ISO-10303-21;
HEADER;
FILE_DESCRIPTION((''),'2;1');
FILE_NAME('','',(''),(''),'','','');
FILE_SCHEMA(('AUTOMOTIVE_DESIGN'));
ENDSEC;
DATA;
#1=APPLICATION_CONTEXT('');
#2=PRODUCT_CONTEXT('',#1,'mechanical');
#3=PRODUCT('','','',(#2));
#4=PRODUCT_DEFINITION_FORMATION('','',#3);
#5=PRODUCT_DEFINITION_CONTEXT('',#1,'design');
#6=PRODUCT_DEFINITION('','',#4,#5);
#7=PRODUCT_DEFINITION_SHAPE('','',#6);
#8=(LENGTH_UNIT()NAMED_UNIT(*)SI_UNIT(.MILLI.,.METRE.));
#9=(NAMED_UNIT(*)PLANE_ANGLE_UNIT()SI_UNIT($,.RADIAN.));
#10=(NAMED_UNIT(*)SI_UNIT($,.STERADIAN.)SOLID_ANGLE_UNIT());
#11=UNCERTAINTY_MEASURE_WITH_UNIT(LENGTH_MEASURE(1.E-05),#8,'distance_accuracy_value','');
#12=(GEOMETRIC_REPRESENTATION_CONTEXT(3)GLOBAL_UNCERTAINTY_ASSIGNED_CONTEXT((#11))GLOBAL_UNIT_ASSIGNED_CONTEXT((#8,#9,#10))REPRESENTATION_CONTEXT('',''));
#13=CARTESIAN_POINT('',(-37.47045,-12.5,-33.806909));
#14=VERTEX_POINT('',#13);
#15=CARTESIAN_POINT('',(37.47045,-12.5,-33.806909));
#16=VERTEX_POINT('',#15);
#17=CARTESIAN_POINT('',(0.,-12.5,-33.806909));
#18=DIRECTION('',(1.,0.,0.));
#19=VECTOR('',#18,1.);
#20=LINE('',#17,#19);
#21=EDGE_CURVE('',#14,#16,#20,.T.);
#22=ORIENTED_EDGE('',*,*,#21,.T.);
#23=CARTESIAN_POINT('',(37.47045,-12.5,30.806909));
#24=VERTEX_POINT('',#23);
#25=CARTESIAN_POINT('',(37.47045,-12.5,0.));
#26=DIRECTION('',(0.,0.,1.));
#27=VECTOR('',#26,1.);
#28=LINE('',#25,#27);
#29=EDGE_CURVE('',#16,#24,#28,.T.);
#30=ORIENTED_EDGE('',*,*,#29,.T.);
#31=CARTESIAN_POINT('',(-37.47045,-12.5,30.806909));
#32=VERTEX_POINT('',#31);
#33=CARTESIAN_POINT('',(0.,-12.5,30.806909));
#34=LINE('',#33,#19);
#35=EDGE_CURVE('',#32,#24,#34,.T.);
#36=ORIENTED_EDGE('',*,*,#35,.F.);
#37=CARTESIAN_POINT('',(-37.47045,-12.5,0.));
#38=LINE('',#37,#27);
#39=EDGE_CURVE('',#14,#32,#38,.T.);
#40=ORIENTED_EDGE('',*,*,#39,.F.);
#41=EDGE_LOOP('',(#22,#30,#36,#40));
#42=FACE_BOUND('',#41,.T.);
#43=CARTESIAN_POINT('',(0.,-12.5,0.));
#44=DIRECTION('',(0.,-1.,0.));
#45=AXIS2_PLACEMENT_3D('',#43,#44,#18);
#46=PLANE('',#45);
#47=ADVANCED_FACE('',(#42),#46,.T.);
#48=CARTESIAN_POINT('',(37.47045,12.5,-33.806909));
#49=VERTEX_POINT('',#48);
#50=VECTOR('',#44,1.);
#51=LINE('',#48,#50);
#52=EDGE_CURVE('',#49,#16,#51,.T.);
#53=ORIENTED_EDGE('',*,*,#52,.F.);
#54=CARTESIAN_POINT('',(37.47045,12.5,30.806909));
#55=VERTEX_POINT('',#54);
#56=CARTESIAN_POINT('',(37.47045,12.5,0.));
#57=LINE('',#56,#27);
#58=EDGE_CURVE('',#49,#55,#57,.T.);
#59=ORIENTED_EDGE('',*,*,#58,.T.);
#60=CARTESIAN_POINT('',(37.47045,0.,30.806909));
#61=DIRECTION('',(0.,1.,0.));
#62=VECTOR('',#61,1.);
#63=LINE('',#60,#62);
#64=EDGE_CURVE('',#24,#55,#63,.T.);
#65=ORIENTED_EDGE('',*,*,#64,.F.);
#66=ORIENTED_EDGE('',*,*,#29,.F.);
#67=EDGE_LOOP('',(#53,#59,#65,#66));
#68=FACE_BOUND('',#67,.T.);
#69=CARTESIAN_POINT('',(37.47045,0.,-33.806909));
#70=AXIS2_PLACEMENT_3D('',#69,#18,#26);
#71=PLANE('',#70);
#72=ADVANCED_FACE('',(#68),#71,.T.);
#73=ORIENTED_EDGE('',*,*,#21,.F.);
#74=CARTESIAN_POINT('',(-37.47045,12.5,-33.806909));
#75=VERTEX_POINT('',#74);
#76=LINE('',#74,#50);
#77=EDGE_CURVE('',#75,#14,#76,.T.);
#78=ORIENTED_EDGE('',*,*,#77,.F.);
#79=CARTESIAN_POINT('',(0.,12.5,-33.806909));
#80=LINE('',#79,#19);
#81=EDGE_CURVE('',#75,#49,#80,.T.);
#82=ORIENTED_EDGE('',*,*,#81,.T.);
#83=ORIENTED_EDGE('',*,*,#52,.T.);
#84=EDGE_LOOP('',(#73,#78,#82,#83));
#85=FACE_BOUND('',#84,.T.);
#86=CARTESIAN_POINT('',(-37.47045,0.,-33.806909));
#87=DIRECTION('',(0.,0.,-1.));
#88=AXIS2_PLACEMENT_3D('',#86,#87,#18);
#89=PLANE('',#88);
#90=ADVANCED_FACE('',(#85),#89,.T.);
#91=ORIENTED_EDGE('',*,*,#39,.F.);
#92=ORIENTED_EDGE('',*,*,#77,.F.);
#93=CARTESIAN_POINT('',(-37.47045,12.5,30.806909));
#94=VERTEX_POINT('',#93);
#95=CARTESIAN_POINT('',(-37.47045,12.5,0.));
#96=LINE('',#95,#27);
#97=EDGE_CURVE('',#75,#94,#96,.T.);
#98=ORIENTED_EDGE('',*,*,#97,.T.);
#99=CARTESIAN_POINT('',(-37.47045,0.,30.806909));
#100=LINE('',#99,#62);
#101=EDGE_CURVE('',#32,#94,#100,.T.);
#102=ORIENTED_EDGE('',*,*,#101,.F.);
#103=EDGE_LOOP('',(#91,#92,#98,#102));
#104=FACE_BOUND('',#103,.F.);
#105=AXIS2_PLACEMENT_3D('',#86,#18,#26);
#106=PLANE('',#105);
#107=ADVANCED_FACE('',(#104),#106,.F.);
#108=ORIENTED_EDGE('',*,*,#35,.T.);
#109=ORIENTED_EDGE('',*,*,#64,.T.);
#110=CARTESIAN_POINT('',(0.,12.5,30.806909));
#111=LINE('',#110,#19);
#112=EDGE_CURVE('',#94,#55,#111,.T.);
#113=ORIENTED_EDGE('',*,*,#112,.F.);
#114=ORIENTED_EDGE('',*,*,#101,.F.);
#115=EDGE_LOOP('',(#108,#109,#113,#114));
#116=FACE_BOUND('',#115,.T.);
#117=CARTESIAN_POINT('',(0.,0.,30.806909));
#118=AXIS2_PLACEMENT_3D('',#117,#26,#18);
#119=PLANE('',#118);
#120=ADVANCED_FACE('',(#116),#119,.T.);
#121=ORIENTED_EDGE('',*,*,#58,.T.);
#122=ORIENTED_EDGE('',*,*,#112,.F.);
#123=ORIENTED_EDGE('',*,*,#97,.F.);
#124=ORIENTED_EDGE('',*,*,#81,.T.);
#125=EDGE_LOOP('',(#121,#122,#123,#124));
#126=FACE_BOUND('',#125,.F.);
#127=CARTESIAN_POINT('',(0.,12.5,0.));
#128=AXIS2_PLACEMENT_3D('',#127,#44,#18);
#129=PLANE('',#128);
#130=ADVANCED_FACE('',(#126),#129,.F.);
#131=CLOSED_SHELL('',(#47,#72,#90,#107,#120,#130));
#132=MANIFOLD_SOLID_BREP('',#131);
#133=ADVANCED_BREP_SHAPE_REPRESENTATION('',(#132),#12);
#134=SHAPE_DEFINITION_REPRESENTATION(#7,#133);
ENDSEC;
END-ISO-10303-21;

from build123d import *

# Parameters (mm, degrees)
F0_W      = 74.9409
F0_H      = 67.613818
F1_DEPTH  = 12.5
F1_FACE_W = 74.9409
F1_FACE_H = 25
F2_DEPTH  = 3


with BuildPart() as f1:
    # F0 (on Front) → F1 (new body, symmetric)
    with BuildSketch(Plane.XZ):
        Rectangle(F0_W, F0_H)
    extrude(amount=F1_DEPTH, both=True)

    # F1_face (on face) → F2 (cut)
    with BuildSketch(Plane.XY.offset(33.806909)):
        Rectangle(F1_FACE_W, F1_FACE_H)
    extrude(amount=-F2_DEPTH, mode=Mode.SUBTRACT)


solid = f1.part
